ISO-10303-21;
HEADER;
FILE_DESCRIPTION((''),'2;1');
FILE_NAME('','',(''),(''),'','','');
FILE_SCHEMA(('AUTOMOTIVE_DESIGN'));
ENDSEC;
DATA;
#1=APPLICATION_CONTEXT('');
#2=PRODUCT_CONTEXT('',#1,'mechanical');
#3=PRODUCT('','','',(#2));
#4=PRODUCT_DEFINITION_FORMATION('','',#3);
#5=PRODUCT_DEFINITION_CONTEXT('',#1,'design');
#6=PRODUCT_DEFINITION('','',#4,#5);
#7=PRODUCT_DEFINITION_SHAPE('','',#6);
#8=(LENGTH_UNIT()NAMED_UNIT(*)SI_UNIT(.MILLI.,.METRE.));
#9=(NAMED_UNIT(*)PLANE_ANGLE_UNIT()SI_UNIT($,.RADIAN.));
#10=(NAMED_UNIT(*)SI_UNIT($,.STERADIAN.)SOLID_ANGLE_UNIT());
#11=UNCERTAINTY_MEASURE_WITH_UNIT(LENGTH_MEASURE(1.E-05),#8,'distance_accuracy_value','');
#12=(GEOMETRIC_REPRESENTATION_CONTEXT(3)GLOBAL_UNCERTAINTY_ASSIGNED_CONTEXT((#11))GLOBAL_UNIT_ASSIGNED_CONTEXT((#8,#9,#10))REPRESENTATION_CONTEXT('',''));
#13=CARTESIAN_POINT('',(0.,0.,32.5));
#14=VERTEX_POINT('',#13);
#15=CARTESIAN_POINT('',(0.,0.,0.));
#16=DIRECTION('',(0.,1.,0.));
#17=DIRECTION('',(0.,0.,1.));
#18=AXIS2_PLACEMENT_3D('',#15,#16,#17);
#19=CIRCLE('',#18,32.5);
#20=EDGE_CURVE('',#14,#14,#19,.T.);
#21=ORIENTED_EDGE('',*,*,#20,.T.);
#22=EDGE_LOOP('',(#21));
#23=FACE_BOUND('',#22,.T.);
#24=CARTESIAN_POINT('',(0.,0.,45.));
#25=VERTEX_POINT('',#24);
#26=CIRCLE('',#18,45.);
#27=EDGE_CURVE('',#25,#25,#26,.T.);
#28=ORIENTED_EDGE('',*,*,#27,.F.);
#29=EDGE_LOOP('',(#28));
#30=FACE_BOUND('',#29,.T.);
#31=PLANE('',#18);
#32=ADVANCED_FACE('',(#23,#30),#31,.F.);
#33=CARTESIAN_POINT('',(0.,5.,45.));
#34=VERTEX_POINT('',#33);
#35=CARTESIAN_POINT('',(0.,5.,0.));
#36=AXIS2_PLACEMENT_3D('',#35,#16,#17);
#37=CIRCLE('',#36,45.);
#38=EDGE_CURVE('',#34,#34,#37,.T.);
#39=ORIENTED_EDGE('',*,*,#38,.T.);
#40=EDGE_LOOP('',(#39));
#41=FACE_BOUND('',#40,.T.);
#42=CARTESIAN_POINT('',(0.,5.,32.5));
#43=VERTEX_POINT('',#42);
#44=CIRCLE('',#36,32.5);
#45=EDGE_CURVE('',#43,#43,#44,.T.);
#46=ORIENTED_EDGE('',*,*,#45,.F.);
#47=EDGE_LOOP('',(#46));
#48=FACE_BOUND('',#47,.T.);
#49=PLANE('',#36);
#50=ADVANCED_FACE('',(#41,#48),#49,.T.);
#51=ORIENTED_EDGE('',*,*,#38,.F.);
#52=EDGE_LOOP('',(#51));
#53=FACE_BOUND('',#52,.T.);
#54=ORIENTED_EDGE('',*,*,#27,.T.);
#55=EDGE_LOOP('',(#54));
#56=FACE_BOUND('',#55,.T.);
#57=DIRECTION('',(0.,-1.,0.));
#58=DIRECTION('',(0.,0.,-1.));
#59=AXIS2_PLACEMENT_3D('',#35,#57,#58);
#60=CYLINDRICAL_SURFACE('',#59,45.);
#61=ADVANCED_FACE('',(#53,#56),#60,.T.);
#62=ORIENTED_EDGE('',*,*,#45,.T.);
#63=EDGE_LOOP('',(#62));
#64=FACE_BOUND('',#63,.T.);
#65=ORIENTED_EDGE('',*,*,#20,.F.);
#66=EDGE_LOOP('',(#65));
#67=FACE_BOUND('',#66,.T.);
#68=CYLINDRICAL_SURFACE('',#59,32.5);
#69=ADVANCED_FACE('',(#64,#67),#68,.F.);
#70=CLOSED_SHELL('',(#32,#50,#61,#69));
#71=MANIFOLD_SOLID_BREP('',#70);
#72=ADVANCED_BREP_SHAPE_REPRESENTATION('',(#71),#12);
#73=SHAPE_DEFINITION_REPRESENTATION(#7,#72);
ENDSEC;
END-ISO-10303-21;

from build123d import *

# Parameters (mm, degrees)
SKETCH_1_R      = 45
SKETCH_1_R_2    = 32.5
EXTRUDE_1_DEPTH = 5


with BuildPart() as part:
    # 草图1 → 凸台-拉伸1 (new body)
    with BuildSketch(Plane(origin=(0, 0, 0), x_dir=(1, 0, 0), z_dir=(0, 1, 0))):
        with Locations(Location((0, 0, 0), (0, 0, 270))):
            Circle(SKETCH_1_R)
        with Locations(Location((0, 0, 0), (0, 0, 270))):
            Circle(SKETCH_1_R_2, mode=Mode.SUBTRACT)
    extrude(amount=EXTRUDE_1_DEPTH)


solid = part.part
